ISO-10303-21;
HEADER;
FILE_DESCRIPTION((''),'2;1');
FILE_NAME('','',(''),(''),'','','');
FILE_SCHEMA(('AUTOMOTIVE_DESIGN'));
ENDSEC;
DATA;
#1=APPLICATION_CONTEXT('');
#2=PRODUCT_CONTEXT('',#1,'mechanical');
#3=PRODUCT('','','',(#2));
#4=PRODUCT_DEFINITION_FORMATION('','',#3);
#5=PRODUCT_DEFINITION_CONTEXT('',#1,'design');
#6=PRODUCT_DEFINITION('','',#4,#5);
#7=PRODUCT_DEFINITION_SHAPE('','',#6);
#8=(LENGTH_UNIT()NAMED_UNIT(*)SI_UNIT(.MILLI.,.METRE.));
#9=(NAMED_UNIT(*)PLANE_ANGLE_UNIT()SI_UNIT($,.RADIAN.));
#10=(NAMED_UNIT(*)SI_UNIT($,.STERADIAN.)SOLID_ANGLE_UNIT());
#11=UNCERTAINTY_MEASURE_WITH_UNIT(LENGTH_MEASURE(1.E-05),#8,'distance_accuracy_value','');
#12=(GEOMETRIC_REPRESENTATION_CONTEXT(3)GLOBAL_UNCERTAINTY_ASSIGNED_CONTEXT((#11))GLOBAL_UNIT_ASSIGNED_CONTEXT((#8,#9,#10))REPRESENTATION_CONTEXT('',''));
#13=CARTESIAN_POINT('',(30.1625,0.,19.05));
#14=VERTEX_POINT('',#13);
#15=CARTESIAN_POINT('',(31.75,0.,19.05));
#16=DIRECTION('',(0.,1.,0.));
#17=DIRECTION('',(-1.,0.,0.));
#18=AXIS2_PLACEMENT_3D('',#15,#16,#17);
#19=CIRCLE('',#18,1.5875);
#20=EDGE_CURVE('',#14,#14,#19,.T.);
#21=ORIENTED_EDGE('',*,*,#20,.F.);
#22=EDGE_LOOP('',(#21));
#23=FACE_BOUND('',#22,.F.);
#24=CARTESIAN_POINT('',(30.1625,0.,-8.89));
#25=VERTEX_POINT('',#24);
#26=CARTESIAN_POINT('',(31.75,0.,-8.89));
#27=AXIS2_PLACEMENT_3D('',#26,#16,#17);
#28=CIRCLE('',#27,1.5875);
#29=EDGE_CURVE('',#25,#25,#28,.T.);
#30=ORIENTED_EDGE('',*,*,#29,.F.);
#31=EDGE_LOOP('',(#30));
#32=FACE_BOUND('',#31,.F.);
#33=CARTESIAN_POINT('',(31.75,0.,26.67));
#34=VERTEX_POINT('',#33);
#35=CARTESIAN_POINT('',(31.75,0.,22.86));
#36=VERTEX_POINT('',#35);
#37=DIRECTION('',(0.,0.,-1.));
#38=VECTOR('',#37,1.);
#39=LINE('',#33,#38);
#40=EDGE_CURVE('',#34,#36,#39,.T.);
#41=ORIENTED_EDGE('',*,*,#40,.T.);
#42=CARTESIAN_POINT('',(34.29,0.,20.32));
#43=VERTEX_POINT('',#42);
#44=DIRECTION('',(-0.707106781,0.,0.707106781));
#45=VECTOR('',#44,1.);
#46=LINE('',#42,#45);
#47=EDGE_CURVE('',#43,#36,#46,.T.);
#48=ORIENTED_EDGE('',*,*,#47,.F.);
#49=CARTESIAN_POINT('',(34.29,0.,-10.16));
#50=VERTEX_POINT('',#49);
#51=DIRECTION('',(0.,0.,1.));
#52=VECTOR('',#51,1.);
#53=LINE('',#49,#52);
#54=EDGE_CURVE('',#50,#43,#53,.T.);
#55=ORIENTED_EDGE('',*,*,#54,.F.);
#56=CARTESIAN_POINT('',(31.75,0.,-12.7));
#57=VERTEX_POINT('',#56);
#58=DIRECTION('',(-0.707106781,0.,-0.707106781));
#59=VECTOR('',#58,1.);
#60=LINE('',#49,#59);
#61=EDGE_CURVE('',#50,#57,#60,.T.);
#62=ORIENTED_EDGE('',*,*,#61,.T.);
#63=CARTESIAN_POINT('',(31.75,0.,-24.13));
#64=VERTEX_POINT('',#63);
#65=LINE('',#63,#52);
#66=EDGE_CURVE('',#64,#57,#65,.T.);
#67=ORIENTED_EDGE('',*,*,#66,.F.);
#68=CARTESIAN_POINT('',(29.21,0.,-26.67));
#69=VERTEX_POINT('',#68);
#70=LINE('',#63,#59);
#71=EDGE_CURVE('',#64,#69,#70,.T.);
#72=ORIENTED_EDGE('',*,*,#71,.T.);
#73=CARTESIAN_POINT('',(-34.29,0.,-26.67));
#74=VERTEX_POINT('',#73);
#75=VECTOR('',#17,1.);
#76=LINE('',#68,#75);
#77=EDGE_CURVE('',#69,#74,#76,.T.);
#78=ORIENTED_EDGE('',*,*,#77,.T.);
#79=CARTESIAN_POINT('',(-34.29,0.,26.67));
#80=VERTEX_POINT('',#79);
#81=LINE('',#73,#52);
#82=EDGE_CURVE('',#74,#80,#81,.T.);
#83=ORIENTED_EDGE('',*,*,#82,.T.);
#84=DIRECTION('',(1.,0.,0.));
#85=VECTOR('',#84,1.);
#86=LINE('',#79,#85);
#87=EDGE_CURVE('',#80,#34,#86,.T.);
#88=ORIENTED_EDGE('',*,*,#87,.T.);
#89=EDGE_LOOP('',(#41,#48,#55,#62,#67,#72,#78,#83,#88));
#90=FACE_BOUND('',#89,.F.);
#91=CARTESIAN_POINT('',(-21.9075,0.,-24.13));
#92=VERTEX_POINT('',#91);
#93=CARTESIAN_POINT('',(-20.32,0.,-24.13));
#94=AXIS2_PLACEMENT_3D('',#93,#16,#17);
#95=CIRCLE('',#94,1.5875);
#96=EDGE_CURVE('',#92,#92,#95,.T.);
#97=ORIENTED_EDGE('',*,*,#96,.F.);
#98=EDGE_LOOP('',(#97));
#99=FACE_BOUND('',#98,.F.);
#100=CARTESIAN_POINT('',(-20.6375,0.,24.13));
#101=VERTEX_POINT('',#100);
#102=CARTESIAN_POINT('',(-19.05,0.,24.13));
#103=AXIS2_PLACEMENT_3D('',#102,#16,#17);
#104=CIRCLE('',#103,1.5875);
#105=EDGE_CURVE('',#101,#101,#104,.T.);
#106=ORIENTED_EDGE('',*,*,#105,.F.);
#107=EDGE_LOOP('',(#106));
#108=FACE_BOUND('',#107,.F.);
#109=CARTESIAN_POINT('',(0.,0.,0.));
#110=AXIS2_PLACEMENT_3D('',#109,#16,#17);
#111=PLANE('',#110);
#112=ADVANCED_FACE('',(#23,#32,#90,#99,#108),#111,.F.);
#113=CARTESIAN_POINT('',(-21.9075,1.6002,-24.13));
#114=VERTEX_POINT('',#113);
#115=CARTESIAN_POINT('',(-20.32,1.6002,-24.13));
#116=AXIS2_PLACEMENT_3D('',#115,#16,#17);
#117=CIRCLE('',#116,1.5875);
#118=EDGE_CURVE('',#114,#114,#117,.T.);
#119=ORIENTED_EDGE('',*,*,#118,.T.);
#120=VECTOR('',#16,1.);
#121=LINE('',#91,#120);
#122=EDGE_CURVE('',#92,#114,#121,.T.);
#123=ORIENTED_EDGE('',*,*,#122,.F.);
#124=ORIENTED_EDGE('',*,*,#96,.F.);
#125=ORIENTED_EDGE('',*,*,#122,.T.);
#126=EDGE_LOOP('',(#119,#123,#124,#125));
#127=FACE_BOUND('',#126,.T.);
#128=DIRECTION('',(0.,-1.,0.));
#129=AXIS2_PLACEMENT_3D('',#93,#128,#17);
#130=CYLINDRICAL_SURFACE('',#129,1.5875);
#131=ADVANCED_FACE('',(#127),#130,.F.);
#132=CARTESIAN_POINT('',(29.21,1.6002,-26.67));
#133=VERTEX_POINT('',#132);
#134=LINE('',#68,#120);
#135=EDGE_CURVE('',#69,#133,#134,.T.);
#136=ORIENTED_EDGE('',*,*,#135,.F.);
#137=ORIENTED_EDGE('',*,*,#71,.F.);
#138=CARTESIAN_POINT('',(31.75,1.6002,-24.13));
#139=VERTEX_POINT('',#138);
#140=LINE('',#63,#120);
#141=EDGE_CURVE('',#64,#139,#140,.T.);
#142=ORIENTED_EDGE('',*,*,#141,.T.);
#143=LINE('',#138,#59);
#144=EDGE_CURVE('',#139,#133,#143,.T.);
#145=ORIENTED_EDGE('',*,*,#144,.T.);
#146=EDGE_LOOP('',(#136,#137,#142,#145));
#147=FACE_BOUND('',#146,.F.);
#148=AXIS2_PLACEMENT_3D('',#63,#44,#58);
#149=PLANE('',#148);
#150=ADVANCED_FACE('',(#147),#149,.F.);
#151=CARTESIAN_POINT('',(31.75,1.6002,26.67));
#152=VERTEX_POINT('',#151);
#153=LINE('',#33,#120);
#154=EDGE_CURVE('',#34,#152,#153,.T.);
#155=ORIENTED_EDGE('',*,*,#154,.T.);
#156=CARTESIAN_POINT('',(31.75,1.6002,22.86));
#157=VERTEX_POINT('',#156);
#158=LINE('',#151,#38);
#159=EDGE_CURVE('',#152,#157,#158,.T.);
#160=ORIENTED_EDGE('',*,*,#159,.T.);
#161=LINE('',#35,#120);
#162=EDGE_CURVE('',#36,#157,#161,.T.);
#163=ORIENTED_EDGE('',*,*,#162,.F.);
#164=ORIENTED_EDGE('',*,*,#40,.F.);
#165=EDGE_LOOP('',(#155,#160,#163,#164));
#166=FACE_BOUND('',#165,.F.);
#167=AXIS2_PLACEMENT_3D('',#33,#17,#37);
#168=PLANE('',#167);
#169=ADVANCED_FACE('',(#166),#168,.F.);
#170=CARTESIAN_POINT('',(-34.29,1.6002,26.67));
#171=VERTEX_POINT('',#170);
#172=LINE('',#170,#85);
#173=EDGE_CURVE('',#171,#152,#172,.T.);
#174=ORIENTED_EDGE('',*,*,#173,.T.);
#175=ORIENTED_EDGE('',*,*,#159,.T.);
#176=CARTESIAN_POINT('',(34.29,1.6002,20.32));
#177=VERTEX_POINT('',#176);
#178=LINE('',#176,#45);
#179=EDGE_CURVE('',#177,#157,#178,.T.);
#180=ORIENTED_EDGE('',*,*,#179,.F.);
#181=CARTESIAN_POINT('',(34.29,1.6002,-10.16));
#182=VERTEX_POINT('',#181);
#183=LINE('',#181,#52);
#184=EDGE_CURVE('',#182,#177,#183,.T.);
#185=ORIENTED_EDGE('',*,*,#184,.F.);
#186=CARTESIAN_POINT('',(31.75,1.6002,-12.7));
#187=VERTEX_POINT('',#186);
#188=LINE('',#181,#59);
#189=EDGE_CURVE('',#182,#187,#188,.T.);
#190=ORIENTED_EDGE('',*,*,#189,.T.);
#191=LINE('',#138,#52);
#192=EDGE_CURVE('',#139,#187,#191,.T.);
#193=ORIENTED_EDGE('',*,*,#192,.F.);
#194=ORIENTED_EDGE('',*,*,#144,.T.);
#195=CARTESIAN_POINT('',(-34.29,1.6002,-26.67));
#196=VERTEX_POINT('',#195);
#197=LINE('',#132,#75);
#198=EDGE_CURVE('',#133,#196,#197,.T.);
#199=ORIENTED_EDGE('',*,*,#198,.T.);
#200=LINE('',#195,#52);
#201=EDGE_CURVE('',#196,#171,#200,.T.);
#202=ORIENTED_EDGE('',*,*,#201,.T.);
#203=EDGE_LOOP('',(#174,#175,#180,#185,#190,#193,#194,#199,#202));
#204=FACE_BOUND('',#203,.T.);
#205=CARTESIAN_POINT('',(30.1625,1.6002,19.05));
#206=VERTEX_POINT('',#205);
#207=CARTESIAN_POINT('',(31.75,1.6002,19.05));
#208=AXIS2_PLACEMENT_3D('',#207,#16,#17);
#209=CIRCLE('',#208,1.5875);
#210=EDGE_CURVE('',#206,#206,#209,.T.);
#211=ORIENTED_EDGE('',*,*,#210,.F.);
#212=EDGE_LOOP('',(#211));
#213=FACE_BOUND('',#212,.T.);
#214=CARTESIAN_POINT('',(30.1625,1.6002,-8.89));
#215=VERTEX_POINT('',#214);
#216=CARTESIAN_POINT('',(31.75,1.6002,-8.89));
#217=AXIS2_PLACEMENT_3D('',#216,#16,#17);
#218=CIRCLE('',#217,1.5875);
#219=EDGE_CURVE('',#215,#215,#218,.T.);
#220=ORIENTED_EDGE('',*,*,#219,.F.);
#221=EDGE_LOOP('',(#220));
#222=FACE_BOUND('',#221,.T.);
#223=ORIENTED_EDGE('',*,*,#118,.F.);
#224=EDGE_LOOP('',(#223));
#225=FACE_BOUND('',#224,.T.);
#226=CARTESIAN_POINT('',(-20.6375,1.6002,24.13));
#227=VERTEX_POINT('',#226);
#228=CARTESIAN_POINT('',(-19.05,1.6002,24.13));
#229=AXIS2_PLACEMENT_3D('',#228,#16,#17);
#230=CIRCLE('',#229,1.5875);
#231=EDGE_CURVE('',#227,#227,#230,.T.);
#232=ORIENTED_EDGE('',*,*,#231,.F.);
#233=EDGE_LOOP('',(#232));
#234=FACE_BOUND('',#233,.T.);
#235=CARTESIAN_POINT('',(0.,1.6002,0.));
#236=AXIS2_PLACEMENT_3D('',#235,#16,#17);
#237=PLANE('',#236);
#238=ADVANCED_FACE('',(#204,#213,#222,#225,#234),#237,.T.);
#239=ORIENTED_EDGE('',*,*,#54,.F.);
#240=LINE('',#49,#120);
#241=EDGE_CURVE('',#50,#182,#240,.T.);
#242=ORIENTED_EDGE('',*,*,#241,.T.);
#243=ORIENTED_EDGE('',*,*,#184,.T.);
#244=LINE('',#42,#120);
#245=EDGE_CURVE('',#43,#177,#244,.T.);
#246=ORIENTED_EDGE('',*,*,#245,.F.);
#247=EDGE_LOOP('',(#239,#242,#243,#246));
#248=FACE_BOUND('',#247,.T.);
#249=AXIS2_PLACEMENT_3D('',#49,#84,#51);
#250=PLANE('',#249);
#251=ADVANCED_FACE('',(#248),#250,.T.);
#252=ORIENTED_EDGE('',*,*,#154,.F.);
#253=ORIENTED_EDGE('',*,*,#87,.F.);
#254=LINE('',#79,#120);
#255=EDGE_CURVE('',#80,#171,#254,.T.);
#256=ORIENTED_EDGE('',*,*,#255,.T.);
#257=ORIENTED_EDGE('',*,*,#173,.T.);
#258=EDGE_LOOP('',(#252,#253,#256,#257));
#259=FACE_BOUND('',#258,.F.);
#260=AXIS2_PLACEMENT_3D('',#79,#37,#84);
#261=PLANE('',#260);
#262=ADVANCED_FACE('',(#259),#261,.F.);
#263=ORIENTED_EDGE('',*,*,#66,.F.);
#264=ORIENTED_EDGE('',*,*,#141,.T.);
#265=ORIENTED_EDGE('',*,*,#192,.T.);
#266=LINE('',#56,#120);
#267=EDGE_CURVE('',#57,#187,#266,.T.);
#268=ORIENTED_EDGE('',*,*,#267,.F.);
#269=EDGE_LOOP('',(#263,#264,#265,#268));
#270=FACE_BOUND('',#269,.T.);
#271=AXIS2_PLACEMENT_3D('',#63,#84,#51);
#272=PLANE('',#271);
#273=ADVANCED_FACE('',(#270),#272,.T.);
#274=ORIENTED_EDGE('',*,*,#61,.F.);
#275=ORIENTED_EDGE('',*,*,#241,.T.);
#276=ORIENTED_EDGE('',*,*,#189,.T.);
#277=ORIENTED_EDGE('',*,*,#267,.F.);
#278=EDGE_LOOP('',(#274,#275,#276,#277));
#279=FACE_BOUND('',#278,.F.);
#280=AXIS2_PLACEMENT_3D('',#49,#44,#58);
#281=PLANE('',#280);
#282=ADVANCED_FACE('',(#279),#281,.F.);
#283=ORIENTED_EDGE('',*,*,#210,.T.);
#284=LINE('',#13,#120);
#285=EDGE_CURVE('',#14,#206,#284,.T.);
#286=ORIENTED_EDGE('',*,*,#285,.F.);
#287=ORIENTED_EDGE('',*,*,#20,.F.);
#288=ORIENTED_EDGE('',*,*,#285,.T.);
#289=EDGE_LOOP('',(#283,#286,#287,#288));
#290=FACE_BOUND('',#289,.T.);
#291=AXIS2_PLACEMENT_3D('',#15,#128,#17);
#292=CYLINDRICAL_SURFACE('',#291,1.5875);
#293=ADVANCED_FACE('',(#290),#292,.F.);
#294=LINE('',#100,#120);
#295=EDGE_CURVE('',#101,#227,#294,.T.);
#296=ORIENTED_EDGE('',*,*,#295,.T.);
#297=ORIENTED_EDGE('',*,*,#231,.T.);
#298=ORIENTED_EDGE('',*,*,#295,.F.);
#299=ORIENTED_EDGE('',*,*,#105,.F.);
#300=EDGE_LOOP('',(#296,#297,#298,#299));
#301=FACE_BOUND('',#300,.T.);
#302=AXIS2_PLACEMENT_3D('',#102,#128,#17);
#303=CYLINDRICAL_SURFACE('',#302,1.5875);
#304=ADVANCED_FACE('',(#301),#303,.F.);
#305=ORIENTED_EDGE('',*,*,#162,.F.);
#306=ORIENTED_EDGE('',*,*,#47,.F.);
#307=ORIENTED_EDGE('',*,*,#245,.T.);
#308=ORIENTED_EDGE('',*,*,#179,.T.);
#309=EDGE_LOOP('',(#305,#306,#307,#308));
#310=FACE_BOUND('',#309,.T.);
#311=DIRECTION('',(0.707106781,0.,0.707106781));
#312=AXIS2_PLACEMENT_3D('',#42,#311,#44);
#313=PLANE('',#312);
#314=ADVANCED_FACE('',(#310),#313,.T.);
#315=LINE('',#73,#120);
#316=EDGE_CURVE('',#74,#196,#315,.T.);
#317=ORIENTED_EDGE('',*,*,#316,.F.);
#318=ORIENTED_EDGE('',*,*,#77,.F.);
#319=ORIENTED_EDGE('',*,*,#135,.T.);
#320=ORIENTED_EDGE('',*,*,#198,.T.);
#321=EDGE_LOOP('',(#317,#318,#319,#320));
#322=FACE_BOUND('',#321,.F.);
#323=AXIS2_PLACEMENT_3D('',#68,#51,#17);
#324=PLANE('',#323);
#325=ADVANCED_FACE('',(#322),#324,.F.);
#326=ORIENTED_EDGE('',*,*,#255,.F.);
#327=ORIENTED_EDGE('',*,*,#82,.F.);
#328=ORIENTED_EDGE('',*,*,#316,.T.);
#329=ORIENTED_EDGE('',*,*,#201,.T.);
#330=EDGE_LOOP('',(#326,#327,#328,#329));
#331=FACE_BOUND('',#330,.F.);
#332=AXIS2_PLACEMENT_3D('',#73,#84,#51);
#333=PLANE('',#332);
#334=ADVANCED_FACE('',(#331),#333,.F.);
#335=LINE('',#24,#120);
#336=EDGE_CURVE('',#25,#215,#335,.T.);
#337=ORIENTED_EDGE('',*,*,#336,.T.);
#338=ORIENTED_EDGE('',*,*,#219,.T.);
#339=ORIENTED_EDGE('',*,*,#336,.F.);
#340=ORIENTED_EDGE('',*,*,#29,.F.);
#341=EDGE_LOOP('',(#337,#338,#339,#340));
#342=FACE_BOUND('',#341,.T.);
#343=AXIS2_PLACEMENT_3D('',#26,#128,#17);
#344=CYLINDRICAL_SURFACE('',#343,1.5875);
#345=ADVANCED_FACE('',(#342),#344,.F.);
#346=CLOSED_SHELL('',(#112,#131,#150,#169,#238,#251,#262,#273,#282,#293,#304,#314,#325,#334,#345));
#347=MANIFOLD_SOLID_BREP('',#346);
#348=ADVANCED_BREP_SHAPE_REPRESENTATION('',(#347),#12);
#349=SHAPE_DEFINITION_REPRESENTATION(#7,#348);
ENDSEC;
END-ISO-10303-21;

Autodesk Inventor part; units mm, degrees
ref_plane "YZ Plane" through (0, 0, 0) normal (1, 0, 0) x (0, 1, 0)
ref_plane "XZ Plane" through (0, 0, 0) normal (0, 1, 0) x (-1, 0, 0)
ref_plane "XY Plane" through (0, 0, 0) normal (0, 0, 1) x (1, 0, 0)
sketch "Sketch1" plane through (0, 0, 0) normal (0, 1, 0) x (-1, 0, 0)
  line L0 (34.29, 26.67) -> (-34.29, 26.67) construction
  line L1 (-34.29, 26.67) -> (-34.29, -26.67) construction
  line L2 (-34.29, -26.67) -> (34.29, -26.67) construction
  line L3 (34.29, -26.67) -> (34.29, 26.67) construction
  line L4 (48.006, 0) -> (-48.006, 0) construction
  line L5 (0, -37.338) -> (0, 37.338) construction
  line L6 (-31.75, -24.13) -> (-31.75, -12.7)
  line L7 (-31.75, 26.67) -> (-31.75, 22.86)
  line L8 (-34.29, -10.16) -> (-34.29, 20.32)
  line L9 (-31.75, -12.7) -> (-31.75, -12.7)
  line L10 (-31.75, 22.86) -> (-31.75, 22.86)
  line L11 (-29.21, -26.67) -> (34.29, -26.67)
  line L12 (34.29, -26.67) -> (34.29, 26.67)
  line L13 (34.29, 26.67) -> (-31.75, 26.67)
  line L14 (-31.75, -24.13) -> (-29.21, -26.67)
  line L15 (-34.29, -10.16) -> (-31.75, -12.7)
  line L16 (-34.29, 20.32) -> (-31.75, 22.86)
  circle A0 centre (20.32, -24.13) radius 1.5875
  circle A1 centre (19.05, 24.13) radius 1.5875
  circle A2 centre (-31.75, 19.05) radius 1.5875
  circle A3 centre (-31.75, -8.89) radius 1.5875
  point P0 (0, 0)
  point P1 (0, -26.67)
  point P2 (-34.29, 0)
  point P3 (-31.75, -26.67)
  point P4 (-34.29, -12.7)
  point P5 (-34.29, 22.86)
  dimension "d0" = 68.58
  dimension "d1" = 53.34
  dimension "d2" = 2.54
  dimension "d3" = 3.81
  dimension "d4" = 13.97
  dimension "d5" = 2.54
  dimension "d6" = 2.54
  dimension "d7" = 2.54
  dimension "d8" = 2.54
  dimension "d9" = 2.54
  dimension "d10" = 2.54
  dimension "d11" = 3.175
  dimension "d12" = 13.97
  dimension "d13" = 15.24
  dimension "d14" = 66.04
  dimension "d15" = 66.04
  dimension "d16" = 27.94
  dimension "d17" = 15.24
  dimension "d18" = 7.62
  dimension "d19" = 2.54
extrude "Extrusion1" add sketch "Sketch1" along normal blind 1.6002
equation "\"d6\" = d5"
equation "\"d8\" = d7"
equation "\"d10\" = d9"
properties part number "Arduino-Uno-r3"
